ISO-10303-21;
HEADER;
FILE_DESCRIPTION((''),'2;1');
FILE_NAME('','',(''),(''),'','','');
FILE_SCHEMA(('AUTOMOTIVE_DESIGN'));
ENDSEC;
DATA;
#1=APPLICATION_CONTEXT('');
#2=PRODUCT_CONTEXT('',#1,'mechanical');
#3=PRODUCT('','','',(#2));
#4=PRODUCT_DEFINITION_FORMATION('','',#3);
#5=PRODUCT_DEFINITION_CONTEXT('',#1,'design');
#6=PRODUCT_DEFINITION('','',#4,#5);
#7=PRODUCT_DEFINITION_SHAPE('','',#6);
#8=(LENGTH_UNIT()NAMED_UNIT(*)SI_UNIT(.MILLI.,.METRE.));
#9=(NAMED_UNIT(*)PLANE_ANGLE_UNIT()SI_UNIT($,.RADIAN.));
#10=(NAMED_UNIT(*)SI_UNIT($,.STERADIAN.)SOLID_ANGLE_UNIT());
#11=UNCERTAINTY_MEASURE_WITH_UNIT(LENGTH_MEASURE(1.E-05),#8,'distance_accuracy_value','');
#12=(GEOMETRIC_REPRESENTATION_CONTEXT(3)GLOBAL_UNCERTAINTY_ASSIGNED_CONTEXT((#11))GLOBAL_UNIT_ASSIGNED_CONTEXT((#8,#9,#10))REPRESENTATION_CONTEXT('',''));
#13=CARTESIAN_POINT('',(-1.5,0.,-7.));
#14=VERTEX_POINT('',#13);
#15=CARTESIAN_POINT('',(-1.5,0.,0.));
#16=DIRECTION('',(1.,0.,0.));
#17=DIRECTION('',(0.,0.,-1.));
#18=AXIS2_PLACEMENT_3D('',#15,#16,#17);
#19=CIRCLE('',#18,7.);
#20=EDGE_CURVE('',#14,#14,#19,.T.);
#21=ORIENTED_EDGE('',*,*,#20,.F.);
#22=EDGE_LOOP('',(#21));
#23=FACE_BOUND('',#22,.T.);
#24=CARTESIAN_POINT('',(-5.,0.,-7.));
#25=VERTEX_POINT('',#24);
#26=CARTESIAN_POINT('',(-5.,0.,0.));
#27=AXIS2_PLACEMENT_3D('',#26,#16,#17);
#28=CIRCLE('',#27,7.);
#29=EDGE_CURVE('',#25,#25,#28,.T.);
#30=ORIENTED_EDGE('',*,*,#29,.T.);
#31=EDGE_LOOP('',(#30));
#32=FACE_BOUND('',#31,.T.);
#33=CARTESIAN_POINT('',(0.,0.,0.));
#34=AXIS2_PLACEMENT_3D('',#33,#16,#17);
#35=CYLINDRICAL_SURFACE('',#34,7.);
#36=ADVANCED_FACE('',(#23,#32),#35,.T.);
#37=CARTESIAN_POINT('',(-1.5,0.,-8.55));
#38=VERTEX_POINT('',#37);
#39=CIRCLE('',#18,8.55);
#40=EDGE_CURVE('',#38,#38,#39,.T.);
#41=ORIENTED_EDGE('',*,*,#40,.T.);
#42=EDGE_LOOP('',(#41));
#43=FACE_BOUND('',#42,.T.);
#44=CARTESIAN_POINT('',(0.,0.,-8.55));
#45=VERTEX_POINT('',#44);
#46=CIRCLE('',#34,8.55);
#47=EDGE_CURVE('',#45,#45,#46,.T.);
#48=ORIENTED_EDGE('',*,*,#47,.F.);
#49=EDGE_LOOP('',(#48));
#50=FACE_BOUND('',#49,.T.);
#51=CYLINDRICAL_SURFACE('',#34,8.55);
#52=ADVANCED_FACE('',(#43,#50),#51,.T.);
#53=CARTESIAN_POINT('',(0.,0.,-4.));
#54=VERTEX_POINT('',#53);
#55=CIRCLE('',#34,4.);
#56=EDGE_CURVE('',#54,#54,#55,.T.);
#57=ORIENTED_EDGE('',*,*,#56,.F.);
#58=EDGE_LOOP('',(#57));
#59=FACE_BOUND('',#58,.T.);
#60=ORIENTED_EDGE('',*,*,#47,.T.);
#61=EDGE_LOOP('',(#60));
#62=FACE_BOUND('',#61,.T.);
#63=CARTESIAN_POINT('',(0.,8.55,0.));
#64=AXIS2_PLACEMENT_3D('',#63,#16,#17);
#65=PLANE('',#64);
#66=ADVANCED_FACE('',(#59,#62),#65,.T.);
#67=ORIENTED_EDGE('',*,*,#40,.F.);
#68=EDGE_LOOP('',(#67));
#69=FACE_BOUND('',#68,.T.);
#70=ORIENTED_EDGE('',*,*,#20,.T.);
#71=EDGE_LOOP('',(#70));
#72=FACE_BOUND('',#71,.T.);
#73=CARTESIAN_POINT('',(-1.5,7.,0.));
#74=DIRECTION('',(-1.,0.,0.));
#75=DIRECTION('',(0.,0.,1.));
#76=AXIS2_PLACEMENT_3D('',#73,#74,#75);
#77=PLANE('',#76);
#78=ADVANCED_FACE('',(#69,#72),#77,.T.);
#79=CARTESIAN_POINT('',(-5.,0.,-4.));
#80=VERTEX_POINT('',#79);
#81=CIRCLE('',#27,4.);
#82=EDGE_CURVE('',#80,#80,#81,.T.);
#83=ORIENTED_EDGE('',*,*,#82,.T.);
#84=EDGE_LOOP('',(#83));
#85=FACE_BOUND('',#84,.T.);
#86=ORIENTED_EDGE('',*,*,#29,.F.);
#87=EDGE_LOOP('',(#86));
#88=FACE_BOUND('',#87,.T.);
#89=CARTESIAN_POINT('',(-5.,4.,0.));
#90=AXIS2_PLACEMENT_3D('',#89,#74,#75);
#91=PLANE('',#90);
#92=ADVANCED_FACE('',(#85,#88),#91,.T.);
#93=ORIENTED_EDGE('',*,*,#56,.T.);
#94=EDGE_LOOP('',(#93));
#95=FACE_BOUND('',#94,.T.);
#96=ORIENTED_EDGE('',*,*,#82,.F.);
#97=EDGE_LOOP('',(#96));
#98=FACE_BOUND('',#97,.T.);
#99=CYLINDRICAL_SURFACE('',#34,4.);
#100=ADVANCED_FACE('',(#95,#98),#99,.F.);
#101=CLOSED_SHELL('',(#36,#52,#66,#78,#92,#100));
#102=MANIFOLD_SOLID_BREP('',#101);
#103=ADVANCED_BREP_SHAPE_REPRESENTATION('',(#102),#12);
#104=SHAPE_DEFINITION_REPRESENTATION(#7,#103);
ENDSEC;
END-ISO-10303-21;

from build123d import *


with BuildPart() as part:
    # Croquis1 → Revolución1 (revolve)
    with BuildSketch(Plane(origin=(0, 0, 0), x_dir=(0, 1, 0), z_dir=(0, 0, 1)), mode=Mode.PRIVATE) as revoluci_n1_sk:
        Polygon((4, 0), (4, 5), (7, 5), (7, 1.5), (8.55, 1.5), (8.55, 0), align=None)
    revolve(revoluci_n1_sk.sketch.rotate(Axis((0, 0, 0), (-1, 0, 0)), 90), axis=Axis((0, 0, 0), (-1, 0, 0)))


solid = part.part
